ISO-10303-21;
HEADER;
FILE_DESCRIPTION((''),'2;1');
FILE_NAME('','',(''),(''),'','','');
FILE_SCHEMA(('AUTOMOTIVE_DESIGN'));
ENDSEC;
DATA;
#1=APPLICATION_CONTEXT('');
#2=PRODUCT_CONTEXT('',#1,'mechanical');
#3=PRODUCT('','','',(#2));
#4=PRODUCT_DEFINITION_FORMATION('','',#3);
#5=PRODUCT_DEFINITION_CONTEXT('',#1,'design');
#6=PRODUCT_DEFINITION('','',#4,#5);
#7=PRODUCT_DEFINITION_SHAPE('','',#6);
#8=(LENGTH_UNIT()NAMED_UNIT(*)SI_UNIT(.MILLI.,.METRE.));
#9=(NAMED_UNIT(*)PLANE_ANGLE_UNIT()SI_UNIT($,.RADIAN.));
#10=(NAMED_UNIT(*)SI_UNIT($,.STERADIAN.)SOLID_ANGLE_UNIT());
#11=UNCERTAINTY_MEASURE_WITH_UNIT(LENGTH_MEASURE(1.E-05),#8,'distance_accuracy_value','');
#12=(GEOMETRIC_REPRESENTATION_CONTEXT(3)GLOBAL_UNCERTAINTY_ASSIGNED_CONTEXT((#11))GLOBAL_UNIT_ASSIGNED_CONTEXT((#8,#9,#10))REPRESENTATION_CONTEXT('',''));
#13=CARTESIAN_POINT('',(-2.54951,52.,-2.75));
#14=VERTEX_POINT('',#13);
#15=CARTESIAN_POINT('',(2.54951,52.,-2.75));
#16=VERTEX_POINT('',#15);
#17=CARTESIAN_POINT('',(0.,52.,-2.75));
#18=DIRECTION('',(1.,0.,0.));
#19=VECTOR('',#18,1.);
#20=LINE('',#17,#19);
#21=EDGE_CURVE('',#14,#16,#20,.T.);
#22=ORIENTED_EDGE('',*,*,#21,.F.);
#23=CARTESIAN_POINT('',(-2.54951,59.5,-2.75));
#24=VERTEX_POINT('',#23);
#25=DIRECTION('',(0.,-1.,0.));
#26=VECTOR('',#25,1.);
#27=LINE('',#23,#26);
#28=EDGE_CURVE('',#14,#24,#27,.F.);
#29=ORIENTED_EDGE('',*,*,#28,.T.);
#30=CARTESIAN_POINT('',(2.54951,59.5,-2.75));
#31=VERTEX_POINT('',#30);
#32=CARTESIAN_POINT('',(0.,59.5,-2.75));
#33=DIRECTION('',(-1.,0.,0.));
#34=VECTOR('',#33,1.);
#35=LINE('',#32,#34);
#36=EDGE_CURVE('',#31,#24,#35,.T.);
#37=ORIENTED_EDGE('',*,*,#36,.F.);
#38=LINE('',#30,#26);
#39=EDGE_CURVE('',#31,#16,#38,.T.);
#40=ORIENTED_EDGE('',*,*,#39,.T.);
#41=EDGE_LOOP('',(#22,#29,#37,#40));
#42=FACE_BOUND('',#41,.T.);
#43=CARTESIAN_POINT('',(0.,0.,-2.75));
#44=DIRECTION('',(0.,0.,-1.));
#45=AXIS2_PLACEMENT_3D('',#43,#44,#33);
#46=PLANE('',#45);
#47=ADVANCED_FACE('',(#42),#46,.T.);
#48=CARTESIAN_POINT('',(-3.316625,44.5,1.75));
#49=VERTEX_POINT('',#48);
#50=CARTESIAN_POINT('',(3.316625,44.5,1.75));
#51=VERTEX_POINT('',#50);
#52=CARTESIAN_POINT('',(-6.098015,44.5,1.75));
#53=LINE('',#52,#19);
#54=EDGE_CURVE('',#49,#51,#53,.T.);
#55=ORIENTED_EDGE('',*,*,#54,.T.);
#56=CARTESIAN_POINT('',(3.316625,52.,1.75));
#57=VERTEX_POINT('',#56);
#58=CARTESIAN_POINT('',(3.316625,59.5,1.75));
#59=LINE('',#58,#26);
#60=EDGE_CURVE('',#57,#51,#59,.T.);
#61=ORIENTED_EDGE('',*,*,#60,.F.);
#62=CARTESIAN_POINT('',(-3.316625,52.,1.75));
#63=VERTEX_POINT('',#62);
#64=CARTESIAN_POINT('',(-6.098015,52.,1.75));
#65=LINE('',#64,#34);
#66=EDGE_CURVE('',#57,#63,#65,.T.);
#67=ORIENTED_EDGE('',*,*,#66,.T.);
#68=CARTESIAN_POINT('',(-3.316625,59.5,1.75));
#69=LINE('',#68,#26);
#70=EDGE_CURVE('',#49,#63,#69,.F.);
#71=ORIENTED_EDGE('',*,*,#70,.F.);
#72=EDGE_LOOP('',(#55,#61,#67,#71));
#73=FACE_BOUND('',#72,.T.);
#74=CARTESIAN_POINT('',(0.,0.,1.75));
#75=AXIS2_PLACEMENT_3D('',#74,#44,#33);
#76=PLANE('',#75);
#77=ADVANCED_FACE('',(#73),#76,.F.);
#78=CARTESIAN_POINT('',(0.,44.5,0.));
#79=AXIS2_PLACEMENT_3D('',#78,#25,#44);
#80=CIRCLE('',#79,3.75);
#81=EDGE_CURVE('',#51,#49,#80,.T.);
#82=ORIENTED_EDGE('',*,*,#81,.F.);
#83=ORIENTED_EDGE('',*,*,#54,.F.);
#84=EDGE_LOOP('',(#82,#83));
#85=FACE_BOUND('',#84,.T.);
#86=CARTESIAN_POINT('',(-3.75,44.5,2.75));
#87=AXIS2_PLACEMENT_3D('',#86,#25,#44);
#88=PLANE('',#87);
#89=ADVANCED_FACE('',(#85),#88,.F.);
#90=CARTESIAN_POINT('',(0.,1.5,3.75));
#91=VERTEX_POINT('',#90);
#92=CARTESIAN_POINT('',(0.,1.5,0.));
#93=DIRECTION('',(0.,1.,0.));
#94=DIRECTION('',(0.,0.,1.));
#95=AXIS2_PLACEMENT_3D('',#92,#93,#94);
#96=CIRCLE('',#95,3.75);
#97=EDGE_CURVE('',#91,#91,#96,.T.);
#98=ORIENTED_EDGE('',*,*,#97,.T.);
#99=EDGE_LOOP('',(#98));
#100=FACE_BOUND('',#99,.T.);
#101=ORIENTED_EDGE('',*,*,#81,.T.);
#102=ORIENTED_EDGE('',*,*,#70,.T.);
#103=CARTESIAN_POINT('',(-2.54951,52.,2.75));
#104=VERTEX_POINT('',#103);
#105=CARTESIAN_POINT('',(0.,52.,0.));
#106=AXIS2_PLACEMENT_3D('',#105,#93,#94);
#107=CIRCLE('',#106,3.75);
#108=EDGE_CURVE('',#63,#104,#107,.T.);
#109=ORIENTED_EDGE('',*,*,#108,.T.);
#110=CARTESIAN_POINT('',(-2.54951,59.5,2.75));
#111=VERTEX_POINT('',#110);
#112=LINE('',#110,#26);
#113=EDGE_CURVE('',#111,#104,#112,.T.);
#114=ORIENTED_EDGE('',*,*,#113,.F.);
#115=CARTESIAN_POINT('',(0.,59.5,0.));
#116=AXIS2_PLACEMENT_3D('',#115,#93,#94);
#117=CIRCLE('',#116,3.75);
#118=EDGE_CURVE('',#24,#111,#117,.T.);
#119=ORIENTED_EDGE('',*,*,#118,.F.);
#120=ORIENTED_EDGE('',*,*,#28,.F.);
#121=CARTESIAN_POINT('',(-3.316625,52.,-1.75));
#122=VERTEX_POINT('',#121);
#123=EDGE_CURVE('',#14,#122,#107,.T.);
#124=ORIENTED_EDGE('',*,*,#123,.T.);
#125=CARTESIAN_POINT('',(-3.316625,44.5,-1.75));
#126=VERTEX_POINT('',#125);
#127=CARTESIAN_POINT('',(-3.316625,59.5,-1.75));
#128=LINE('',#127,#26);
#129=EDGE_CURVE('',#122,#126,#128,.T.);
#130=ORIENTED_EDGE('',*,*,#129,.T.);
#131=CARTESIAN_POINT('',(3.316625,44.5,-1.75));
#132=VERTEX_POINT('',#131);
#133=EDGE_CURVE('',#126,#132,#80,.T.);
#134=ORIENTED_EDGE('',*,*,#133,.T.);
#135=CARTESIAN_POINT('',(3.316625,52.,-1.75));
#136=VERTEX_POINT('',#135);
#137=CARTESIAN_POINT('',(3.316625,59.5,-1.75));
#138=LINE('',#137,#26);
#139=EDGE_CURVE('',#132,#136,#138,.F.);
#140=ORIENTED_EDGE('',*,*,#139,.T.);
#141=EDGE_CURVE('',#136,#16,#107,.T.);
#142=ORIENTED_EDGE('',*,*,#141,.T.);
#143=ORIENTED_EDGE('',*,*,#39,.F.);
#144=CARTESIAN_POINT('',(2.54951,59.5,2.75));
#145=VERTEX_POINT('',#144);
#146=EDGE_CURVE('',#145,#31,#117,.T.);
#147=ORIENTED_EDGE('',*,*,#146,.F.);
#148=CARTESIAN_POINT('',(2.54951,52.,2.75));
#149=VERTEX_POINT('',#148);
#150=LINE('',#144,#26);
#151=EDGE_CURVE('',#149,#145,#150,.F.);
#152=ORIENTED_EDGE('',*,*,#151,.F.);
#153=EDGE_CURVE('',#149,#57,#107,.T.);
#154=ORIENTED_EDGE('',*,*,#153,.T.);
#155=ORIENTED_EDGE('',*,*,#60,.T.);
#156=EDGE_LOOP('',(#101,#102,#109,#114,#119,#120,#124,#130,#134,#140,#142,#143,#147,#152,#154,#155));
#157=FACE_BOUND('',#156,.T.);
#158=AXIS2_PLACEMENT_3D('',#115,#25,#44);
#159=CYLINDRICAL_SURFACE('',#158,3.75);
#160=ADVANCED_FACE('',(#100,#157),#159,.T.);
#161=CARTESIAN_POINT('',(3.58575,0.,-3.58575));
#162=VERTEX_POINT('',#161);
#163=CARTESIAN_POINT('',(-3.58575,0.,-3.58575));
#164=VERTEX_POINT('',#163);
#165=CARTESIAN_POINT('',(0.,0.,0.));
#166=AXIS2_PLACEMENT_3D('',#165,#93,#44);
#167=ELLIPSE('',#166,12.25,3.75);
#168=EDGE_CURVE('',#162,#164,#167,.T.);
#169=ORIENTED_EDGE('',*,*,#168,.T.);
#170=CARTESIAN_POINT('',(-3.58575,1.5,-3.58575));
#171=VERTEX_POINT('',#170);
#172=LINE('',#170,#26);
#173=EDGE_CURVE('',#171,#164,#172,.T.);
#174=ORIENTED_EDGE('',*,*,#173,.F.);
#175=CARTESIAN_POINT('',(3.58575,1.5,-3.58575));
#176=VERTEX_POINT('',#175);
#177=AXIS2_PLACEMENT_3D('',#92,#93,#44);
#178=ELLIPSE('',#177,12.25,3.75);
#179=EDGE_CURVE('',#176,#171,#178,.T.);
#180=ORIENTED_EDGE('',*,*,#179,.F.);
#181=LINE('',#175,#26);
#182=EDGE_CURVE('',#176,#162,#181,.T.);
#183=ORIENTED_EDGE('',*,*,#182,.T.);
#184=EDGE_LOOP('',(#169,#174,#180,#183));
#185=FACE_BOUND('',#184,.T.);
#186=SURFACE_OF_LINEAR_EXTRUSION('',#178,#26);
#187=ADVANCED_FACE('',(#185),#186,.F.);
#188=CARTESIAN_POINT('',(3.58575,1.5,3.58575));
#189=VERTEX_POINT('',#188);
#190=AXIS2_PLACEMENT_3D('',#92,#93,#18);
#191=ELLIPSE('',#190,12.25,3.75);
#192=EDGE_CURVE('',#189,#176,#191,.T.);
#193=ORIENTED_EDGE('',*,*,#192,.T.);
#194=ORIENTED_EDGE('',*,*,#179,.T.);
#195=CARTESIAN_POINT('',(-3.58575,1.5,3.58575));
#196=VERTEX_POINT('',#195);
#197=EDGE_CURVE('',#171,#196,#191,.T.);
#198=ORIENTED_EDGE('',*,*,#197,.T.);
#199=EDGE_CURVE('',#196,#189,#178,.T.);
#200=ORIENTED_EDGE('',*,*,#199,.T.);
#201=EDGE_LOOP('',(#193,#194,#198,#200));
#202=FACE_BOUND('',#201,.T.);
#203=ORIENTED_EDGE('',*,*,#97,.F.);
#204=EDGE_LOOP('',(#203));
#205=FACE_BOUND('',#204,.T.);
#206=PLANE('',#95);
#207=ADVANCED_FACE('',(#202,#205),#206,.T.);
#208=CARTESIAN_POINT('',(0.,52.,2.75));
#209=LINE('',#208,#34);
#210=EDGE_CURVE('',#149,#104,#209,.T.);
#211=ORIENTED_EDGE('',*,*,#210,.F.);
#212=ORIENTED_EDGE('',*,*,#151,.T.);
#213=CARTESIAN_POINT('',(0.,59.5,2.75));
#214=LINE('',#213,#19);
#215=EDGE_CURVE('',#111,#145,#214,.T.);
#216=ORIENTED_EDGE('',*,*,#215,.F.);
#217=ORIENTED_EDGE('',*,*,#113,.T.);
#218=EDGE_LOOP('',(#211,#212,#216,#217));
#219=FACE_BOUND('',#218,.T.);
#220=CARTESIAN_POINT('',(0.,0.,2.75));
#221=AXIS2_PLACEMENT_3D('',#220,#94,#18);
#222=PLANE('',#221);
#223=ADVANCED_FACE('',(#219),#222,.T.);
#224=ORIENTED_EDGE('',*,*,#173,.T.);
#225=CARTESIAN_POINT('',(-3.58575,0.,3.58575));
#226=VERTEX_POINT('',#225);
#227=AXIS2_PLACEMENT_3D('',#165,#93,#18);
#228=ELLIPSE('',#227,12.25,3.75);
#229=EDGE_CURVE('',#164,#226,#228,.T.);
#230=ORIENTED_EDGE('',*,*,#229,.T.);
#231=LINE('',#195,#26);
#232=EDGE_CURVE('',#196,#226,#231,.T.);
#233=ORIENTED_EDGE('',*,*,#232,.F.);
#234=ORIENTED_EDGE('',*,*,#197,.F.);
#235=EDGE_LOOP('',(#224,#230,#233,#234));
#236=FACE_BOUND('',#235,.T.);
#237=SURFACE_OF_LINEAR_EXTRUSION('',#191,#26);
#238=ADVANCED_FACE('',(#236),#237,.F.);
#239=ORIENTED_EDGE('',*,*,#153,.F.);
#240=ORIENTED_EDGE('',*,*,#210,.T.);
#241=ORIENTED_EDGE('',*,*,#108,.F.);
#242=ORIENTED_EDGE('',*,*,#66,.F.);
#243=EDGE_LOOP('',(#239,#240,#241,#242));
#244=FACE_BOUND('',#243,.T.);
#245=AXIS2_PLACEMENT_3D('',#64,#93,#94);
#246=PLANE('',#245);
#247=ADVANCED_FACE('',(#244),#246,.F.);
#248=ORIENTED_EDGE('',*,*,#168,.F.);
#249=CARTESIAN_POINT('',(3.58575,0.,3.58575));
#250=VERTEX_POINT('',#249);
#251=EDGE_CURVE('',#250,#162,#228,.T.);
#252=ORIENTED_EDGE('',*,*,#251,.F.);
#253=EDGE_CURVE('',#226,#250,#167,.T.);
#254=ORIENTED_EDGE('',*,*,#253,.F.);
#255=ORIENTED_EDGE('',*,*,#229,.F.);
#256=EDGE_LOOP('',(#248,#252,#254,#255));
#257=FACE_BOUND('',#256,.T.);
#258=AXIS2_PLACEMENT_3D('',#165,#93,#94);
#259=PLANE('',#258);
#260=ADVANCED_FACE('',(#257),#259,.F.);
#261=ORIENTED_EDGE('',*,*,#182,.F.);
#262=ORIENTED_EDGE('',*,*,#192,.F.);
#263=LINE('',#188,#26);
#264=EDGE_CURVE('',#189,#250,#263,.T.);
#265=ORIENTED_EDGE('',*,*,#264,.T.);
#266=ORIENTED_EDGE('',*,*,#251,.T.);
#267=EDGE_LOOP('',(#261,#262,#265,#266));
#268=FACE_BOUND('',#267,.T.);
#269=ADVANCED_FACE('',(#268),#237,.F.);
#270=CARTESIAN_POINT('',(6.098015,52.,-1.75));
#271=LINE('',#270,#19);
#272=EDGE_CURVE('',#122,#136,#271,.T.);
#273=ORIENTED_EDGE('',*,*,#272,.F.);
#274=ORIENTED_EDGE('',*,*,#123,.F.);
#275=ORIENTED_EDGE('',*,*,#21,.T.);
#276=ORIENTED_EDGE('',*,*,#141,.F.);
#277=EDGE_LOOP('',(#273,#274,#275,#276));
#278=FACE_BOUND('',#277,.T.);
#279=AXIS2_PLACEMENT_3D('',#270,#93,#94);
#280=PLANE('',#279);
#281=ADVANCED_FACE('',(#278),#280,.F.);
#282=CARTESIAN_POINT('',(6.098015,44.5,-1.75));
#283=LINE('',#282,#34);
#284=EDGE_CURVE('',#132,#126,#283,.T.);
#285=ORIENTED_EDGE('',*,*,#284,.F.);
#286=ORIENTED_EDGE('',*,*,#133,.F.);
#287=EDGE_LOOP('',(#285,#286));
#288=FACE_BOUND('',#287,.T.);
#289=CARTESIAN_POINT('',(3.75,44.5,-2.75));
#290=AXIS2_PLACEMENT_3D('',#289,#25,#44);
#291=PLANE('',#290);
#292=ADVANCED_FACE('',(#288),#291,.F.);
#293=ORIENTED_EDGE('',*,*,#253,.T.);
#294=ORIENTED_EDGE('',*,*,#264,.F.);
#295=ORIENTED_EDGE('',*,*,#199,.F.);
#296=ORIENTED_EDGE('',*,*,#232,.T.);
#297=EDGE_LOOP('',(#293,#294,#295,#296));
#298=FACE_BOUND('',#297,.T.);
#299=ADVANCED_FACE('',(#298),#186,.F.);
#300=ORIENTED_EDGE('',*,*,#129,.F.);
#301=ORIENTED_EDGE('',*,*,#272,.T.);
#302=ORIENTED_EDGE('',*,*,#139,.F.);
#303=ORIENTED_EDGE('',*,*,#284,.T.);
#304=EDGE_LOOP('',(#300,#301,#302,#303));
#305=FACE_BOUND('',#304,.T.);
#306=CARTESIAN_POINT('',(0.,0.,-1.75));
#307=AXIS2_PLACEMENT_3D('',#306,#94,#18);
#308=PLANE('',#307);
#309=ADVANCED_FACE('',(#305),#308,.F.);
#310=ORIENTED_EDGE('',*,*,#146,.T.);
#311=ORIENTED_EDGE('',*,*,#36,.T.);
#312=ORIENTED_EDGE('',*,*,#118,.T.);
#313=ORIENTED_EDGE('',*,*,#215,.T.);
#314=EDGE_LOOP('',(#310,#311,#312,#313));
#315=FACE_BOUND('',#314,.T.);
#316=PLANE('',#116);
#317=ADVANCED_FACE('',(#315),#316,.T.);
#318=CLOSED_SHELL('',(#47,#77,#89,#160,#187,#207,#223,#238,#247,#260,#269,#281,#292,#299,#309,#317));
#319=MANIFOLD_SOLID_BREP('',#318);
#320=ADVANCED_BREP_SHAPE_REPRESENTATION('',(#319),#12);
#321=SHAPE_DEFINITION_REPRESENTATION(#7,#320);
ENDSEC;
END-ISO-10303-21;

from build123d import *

# Parameters (mm, degrees)
SKETCH1_RX          = 12.25
SKETCH1_RY          = 3.75
BOSS_EXTRUDE1_DEPTH = 1.5
SKETCH2_R           = 3.75
BOSS_EXTRUDE2_DEPTH = 58
SKETCH3_W           = 7.5
SKETCH3_H           = 15
CUT_EXTRUDE1_DEPTH  = 1
SKETCH4_W           = 12.491636394
SKETCH4_H           = 7.5
CUT_EXTRUDE2_DEPTH  = 1
CIRPATTERN1_COUNT   = 2


with BuildPart() as part:
    # Sketch1 → Boss-Extrude1 (new body)
    with BuildSketch(Plane(origin=(0, 0, 0), x_dir=(1, 0, 0), z_dir=(0, 1, 0))):
        with Locations((0, 0)):
            Ellipse(SKETCH1_RX, SKETCH1_RY)
        with Locations(Location((0, 0), (0, 0, 90))):
            Ellipse(SKETCH1_RX, SKETCH1_RY)
    extrude(amount=BOSS_EXTRUDE1_DEPTH)

    # Sketch2 → Boss-Extrude2 (add)
    with BuildSketch(Plane(origin=(0, 1.5, 0), x_dir=(1, 0, 0), z_dir=(0, 1, 0))):
        Circle(SKETCH2_R)
    extrude(amount=BOSS_EXTRUDE2_DEPTH)

    # Sketch3 → Cut-Extrude1 (cut)
    with BuildSketch(Plane.XY.offset(3.75)):
        with Locations((0, 52)):
            Rectangle(SKETCH3_W, SKETCH3_H)
    cut_extrude1 = extrude(amount=-CUT_EXTRUDE1_DEPTH, mode=Mode.SUBTRACT)

    # Sketch4 → Cut-Extrude2 (cut)
    with BuildSketch(Plane.XY.offset(2.75)):
        with Locations((0.147803462, 48.25)):
            Rectangle(SKETCH4_W, SKETCH4_H)
    cut_extrude2 = extrude(amount=-CUT_EXTRUDE2_DEPTH, mode=Mode.SUBTRACT)

    # CirPattern1: Cut-Extrude1, Cut-Extrude2 ×2 about axis
    cirpattern1_axis = Axis((0, 59.5, 0), (0, 1, 0))
    for i in range(1, CIRPATTERN1_COUNT):
        add(cut_extrude1.rotate(cirpattern1_axis, i * 360 / CIRPATTERN1_COUNT), mode=Mode.SUBTRACT)
        add(cut_extrude2.rotate(cirpattern1_axis, i * 360 / CIRPATTERN1_COUNT), mode=Mode.SUBTRACT)


solid = part.part
